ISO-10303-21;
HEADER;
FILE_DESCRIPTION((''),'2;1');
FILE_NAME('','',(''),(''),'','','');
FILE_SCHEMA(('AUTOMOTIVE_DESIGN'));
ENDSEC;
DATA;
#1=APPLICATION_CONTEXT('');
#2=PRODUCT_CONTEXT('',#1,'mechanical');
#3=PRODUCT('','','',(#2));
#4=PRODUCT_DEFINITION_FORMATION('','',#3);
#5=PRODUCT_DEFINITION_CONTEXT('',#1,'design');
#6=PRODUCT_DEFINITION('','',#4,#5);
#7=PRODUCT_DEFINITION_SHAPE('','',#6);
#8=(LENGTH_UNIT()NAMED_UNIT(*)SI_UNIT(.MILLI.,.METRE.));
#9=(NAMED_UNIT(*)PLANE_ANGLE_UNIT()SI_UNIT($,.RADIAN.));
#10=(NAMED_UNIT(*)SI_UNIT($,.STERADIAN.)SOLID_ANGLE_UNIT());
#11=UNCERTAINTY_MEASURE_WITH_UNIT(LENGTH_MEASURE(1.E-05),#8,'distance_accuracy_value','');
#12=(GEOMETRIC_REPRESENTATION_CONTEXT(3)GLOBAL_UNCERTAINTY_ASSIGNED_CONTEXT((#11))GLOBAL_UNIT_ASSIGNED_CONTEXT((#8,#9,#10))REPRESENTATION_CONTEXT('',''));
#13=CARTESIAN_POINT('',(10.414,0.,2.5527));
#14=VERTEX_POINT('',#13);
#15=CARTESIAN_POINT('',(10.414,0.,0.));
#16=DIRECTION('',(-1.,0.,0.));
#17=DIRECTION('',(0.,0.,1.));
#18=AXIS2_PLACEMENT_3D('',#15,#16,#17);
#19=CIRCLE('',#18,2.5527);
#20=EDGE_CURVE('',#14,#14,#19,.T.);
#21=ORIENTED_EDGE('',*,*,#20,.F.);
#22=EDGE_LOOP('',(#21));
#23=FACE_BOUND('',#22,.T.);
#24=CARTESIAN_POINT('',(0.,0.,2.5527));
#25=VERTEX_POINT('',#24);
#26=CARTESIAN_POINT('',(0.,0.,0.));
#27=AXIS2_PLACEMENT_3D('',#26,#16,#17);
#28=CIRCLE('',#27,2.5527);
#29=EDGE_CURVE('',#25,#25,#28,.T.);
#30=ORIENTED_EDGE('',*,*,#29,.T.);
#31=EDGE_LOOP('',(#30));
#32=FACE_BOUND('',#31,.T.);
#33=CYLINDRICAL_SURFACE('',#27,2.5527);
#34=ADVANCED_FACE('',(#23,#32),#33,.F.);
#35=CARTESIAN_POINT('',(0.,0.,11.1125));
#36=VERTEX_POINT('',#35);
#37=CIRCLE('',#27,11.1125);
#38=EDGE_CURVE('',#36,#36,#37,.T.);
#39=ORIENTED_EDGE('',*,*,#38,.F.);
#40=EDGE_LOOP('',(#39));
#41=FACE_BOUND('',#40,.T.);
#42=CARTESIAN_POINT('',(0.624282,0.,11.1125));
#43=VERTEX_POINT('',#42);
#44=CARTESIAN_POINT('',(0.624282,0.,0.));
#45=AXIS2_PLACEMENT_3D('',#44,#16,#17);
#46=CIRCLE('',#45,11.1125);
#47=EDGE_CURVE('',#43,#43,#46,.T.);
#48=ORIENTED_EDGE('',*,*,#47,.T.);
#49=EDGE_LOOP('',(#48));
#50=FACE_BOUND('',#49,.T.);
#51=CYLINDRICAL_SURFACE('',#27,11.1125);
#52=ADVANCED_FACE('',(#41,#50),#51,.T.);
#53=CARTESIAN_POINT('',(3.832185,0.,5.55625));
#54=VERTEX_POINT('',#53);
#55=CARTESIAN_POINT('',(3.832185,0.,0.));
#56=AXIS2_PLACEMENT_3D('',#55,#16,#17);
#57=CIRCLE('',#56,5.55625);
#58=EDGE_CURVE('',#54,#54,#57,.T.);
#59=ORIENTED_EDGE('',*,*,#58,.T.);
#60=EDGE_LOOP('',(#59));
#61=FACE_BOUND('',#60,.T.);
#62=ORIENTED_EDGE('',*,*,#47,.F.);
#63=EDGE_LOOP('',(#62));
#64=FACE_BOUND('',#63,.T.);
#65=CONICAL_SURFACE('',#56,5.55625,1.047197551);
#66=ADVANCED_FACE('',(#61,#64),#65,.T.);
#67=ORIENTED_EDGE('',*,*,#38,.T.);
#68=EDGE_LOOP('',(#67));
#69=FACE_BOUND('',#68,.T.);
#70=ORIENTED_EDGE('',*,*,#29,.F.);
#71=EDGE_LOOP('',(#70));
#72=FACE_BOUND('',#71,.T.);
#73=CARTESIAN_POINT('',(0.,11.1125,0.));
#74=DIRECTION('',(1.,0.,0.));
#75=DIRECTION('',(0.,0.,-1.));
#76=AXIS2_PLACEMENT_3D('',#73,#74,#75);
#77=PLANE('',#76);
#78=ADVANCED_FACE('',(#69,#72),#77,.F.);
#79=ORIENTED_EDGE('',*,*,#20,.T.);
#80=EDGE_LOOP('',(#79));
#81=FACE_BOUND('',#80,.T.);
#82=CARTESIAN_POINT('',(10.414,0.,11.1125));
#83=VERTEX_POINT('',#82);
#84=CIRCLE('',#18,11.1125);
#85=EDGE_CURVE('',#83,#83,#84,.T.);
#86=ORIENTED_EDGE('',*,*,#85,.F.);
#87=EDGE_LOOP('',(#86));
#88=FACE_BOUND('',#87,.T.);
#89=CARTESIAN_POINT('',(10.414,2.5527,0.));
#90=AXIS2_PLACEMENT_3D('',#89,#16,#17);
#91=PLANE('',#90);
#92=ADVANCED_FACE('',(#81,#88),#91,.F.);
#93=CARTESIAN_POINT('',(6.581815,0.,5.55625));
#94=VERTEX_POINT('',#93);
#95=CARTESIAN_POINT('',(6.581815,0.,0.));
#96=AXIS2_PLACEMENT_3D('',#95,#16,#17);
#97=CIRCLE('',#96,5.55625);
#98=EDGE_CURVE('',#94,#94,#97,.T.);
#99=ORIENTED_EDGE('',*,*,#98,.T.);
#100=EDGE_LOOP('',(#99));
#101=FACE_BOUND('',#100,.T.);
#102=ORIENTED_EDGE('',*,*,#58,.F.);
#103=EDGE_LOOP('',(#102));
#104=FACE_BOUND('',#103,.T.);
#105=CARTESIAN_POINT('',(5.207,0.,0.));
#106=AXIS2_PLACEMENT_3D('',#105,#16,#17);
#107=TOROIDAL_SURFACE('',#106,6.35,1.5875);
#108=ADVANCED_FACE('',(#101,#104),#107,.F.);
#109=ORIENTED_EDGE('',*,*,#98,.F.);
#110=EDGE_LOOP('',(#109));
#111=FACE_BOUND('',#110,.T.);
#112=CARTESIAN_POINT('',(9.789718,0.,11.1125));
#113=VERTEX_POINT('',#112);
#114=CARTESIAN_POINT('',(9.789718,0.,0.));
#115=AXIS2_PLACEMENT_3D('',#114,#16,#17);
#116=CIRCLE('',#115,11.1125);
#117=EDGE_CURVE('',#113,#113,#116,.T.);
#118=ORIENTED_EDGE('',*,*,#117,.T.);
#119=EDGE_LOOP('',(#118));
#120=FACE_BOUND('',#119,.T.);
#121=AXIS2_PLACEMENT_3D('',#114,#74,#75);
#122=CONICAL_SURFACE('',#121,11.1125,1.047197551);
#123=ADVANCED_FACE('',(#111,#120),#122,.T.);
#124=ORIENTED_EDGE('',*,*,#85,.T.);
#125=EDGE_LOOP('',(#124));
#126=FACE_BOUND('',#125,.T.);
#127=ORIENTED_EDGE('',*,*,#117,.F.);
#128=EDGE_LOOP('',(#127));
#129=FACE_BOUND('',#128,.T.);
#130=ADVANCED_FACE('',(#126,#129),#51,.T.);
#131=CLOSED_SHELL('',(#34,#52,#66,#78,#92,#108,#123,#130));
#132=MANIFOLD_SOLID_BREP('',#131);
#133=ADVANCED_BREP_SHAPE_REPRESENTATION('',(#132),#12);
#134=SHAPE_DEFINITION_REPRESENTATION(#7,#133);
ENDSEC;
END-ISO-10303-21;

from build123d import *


with BuildPart() as part:
    # Sketch1 → Revolve1 (revolve)
    with BuildSketch(Plane.XY):
        with BuildLine():
            Line((0, 2.5527), (10.414, 2.5527))
            Line((10.414, 2.5527), (10.414, 11.1125))
            Line((10.414, 11.1125), (9.789717762, 11.1125))
            Line((9.789717762, 11.1125), (6.581815329, 5.55625))
            ThreePointArc((6.581815329, 5.55625), (5.207, 4.7625), (3.832184671, 5.55625))
            Line((3.832184671, 5.55625), (0.624282238, 11.1125))
            Line((0.624282238, 11.1125), (0, 11.1125))
            Line((0, 11.1125), (0, 2.5527))
        make_face()
    revolve(axis=Axis((0, 0, 0), (1, 0, 0)))


solid = part.part
